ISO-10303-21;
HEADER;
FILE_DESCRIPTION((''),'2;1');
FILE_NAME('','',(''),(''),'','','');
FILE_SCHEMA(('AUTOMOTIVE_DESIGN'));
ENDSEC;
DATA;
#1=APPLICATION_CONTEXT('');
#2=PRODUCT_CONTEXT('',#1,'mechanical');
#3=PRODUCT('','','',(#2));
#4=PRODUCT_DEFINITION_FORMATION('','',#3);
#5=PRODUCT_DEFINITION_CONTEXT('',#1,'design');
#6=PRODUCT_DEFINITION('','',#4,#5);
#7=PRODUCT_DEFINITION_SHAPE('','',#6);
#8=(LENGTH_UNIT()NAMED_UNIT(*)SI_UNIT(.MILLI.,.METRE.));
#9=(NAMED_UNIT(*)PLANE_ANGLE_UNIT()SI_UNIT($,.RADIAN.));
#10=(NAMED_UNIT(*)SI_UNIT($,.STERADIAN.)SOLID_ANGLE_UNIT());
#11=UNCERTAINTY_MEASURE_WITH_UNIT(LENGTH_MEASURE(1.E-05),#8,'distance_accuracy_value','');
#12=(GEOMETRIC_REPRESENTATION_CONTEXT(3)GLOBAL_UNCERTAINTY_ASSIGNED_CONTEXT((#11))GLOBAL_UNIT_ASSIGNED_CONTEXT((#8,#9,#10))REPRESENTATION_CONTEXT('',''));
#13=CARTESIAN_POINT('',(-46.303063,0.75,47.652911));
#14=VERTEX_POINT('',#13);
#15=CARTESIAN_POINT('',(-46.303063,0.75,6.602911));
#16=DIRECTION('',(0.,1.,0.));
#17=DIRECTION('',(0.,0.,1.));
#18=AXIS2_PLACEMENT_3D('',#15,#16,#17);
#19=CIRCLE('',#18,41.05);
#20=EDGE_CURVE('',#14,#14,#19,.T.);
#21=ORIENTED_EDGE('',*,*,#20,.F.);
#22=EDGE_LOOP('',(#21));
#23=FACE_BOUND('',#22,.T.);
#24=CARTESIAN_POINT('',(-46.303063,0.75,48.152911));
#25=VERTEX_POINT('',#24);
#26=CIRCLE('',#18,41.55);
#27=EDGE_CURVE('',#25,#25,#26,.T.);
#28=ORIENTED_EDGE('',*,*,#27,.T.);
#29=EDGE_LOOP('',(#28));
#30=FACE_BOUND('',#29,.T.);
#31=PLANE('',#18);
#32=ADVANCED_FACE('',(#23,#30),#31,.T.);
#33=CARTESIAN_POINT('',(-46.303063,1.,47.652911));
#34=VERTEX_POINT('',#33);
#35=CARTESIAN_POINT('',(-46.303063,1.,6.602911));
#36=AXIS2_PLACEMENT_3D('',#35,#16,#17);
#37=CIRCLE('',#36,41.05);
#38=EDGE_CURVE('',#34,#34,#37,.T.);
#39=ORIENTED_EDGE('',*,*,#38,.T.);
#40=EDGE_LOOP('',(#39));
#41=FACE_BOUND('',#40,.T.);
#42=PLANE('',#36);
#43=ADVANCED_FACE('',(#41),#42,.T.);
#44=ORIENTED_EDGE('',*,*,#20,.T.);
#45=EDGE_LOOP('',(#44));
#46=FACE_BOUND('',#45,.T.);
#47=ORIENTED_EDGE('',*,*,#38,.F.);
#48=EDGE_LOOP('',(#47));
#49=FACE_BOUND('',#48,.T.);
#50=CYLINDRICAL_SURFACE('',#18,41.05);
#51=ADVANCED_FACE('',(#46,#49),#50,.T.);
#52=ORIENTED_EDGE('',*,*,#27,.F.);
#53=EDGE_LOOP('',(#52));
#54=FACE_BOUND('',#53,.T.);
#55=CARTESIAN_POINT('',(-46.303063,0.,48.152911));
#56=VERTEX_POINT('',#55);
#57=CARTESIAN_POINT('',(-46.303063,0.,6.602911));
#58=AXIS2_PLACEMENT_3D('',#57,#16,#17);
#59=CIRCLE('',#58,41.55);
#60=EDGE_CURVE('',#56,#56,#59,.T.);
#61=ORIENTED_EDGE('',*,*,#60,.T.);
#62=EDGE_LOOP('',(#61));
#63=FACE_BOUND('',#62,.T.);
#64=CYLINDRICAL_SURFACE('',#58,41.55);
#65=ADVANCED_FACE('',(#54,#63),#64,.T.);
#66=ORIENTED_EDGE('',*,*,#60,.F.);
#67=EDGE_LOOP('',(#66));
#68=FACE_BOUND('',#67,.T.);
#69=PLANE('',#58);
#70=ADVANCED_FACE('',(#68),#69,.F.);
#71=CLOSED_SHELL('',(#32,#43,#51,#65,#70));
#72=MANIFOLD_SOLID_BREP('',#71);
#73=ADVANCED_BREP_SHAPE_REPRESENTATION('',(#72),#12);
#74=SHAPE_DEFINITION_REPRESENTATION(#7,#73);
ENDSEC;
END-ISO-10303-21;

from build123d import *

# Parameters (mm, degrees)
SKETCH1_R           = 42.55
BOSS_EXTRUDE1_DEPTH = 1
SKETCH2_R           = 42.55
SKETCH2_R_2         = 41.55
CUT_EXTRUDE1_DEPTH  = 102.547405362
SKETCH3_R           = 41.55
SKETCH3_R_2         = 41.05
CUT_EXTRUDE2_DEPTH  = 0.25


with BuildPart() as part:
    # Sketch1 → Boss-Extrude1 (new body)
    with BuildSketch(Plane(origin=(0, 0, 0), x_dir=(1, 0, 0), z_dir=(0, 1, 0))):
        with Locations(Location((-46.303063169, -6.602911423, 0), (0, 0, 270))):
            Circle(SKETCH1_R)
    extrude(amount=BOSS_EXTRUDE1_DEPTH)

    # Sketch2 → Cut-Extrude1 (cut, through all)
    with BuildSketch(Plane(origin=(0, 1, 0), x_dir=(1, 0, 0), z_dir=(0, 1, 0))):
        with Locations((-46.303063169, -6.602911423)):
            Circle(SKETCH2_R)
        with Locations(Location((-46.303063169, -6.602911423, 0), (0, 0, 270))):
            Circle(SKETCH2_R_2, mode=Mode.SUBTRACT)
    extrude(amount=-CUT_EXTRUDE1_DEPTH, mode=Mode.SUBTRACT)

    # Sketch3 → Cut-Extrude2 (cut)
    with BuildSketch(Plane(origin=(0, 1, 0), x_dir=(1, 0, 0), z_dir=(0, 1, 0))):
        with Locations(Location((-46.303063169, -6.602911423, 0), (0, 0, 270))):
            Circle(SKETCH3_R)
        with Locations(Location((-46.303063169, -6.602911423, 0), (0, 0, 270))):
            Circle(SKETCH3_R_2, mode=Mode.SUBTRACT)
    extrude(amount=-CUT_EXTRUDE2_DEPTH, mode=Mode.SUBTRACT)


solid = part.part
